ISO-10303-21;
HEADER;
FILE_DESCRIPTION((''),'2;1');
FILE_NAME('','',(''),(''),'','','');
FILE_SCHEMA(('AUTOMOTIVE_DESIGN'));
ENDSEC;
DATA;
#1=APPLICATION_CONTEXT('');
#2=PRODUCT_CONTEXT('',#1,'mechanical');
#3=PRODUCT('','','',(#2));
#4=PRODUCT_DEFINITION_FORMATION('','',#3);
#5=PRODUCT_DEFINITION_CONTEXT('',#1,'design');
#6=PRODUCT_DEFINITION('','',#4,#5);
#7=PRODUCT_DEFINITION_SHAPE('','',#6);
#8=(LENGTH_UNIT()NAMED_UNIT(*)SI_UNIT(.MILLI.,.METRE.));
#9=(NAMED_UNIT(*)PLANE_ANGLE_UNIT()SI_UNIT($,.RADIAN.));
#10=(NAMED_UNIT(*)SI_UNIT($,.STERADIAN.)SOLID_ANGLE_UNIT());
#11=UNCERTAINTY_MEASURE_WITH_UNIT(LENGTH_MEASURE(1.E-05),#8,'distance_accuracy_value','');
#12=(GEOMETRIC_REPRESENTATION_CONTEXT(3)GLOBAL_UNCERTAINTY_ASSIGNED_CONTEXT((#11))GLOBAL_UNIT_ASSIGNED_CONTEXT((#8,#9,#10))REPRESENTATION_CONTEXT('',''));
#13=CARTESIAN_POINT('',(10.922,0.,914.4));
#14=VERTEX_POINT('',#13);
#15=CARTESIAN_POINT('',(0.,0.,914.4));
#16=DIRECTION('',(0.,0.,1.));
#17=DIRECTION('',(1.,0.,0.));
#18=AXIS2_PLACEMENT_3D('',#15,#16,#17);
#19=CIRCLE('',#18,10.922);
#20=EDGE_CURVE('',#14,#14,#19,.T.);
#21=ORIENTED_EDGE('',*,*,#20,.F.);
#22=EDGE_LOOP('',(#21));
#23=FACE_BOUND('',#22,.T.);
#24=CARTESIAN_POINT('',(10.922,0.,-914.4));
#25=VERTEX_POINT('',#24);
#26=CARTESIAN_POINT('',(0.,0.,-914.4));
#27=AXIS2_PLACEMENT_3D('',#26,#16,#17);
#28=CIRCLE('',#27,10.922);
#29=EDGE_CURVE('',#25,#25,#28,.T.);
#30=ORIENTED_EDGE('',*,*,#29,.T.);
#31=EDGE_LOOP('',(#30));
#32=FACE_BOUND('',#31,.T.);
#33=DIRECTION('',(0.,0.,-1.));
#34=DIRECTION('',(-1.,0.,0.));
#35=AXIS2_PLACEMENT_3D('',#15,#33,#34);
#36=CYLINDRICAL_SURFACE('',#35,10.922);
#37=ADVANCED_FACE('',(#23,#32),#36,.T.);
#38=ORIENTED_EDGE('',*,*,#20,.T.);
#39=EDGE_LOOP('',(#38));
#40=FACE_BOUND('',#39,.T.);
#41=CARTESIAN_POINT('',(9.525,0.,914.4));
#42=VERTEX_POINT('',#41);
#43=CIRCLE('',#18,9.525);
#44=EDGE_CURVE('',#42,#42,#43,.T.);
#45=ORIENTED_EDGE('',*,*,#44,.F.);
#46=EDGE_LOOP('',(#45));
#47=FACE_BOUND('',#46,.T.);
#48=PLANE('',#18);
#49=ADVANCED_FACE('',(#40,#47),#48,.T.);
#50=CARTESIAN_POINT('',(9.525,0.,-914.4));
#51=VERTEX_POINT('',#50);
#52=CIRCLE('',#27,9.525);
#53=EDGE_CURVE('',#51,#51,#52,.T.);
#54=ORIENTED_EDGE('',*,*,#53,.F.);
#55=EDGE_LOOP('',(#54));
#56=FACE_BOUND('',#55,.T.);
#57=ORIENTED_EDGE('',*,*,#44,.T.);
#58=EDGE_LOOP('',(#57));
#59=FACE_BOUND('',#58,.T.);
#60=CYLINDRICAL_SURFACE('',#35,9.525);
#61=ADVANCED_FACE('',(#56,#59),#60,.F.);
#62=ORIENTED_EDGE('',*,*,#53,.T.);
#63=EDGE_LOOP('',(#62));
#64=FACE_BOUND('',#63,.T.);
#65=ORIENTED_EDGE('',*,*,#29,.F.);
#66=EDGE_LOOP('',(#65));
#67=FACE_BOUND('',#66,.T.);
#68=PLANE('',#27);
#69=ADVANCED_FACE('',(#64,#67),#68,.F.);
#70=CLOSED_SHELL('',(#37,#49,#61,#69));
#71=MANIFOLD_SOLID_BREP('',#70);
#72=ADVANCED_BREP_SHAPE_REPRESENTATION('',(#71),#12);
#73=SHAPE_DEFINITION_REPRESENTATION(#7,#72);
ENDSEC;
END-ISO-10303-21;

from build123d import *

# Parameters (mm, degrees)
SKETCH3_R                = 10.922
SKETCH3_R_2              = 9.525
BOSS_EXTRUDE1_DEPTH      = 914.4
BOSS_EXTRUDE1_DEPTH_BACK = 914.4


with BuildPart() as part:
    # Sketch3 → Boss-Extrude1 (new body, two sides)
    with BuildSketch(Plane.XY) as boss_extrude1_sk:
        Circle(SKETCH3_R)
        Circle(SKETCH3_R_2, mode=Mode.SUBTRACT)
    extrude(amount=BOSS_EXTRUDE1_DEPTH)
    extrude(boss_extrude1_sk.sketch, amount=-BOSS_EXTRUDE1_DEPTH_BACK)


solid = part.part
